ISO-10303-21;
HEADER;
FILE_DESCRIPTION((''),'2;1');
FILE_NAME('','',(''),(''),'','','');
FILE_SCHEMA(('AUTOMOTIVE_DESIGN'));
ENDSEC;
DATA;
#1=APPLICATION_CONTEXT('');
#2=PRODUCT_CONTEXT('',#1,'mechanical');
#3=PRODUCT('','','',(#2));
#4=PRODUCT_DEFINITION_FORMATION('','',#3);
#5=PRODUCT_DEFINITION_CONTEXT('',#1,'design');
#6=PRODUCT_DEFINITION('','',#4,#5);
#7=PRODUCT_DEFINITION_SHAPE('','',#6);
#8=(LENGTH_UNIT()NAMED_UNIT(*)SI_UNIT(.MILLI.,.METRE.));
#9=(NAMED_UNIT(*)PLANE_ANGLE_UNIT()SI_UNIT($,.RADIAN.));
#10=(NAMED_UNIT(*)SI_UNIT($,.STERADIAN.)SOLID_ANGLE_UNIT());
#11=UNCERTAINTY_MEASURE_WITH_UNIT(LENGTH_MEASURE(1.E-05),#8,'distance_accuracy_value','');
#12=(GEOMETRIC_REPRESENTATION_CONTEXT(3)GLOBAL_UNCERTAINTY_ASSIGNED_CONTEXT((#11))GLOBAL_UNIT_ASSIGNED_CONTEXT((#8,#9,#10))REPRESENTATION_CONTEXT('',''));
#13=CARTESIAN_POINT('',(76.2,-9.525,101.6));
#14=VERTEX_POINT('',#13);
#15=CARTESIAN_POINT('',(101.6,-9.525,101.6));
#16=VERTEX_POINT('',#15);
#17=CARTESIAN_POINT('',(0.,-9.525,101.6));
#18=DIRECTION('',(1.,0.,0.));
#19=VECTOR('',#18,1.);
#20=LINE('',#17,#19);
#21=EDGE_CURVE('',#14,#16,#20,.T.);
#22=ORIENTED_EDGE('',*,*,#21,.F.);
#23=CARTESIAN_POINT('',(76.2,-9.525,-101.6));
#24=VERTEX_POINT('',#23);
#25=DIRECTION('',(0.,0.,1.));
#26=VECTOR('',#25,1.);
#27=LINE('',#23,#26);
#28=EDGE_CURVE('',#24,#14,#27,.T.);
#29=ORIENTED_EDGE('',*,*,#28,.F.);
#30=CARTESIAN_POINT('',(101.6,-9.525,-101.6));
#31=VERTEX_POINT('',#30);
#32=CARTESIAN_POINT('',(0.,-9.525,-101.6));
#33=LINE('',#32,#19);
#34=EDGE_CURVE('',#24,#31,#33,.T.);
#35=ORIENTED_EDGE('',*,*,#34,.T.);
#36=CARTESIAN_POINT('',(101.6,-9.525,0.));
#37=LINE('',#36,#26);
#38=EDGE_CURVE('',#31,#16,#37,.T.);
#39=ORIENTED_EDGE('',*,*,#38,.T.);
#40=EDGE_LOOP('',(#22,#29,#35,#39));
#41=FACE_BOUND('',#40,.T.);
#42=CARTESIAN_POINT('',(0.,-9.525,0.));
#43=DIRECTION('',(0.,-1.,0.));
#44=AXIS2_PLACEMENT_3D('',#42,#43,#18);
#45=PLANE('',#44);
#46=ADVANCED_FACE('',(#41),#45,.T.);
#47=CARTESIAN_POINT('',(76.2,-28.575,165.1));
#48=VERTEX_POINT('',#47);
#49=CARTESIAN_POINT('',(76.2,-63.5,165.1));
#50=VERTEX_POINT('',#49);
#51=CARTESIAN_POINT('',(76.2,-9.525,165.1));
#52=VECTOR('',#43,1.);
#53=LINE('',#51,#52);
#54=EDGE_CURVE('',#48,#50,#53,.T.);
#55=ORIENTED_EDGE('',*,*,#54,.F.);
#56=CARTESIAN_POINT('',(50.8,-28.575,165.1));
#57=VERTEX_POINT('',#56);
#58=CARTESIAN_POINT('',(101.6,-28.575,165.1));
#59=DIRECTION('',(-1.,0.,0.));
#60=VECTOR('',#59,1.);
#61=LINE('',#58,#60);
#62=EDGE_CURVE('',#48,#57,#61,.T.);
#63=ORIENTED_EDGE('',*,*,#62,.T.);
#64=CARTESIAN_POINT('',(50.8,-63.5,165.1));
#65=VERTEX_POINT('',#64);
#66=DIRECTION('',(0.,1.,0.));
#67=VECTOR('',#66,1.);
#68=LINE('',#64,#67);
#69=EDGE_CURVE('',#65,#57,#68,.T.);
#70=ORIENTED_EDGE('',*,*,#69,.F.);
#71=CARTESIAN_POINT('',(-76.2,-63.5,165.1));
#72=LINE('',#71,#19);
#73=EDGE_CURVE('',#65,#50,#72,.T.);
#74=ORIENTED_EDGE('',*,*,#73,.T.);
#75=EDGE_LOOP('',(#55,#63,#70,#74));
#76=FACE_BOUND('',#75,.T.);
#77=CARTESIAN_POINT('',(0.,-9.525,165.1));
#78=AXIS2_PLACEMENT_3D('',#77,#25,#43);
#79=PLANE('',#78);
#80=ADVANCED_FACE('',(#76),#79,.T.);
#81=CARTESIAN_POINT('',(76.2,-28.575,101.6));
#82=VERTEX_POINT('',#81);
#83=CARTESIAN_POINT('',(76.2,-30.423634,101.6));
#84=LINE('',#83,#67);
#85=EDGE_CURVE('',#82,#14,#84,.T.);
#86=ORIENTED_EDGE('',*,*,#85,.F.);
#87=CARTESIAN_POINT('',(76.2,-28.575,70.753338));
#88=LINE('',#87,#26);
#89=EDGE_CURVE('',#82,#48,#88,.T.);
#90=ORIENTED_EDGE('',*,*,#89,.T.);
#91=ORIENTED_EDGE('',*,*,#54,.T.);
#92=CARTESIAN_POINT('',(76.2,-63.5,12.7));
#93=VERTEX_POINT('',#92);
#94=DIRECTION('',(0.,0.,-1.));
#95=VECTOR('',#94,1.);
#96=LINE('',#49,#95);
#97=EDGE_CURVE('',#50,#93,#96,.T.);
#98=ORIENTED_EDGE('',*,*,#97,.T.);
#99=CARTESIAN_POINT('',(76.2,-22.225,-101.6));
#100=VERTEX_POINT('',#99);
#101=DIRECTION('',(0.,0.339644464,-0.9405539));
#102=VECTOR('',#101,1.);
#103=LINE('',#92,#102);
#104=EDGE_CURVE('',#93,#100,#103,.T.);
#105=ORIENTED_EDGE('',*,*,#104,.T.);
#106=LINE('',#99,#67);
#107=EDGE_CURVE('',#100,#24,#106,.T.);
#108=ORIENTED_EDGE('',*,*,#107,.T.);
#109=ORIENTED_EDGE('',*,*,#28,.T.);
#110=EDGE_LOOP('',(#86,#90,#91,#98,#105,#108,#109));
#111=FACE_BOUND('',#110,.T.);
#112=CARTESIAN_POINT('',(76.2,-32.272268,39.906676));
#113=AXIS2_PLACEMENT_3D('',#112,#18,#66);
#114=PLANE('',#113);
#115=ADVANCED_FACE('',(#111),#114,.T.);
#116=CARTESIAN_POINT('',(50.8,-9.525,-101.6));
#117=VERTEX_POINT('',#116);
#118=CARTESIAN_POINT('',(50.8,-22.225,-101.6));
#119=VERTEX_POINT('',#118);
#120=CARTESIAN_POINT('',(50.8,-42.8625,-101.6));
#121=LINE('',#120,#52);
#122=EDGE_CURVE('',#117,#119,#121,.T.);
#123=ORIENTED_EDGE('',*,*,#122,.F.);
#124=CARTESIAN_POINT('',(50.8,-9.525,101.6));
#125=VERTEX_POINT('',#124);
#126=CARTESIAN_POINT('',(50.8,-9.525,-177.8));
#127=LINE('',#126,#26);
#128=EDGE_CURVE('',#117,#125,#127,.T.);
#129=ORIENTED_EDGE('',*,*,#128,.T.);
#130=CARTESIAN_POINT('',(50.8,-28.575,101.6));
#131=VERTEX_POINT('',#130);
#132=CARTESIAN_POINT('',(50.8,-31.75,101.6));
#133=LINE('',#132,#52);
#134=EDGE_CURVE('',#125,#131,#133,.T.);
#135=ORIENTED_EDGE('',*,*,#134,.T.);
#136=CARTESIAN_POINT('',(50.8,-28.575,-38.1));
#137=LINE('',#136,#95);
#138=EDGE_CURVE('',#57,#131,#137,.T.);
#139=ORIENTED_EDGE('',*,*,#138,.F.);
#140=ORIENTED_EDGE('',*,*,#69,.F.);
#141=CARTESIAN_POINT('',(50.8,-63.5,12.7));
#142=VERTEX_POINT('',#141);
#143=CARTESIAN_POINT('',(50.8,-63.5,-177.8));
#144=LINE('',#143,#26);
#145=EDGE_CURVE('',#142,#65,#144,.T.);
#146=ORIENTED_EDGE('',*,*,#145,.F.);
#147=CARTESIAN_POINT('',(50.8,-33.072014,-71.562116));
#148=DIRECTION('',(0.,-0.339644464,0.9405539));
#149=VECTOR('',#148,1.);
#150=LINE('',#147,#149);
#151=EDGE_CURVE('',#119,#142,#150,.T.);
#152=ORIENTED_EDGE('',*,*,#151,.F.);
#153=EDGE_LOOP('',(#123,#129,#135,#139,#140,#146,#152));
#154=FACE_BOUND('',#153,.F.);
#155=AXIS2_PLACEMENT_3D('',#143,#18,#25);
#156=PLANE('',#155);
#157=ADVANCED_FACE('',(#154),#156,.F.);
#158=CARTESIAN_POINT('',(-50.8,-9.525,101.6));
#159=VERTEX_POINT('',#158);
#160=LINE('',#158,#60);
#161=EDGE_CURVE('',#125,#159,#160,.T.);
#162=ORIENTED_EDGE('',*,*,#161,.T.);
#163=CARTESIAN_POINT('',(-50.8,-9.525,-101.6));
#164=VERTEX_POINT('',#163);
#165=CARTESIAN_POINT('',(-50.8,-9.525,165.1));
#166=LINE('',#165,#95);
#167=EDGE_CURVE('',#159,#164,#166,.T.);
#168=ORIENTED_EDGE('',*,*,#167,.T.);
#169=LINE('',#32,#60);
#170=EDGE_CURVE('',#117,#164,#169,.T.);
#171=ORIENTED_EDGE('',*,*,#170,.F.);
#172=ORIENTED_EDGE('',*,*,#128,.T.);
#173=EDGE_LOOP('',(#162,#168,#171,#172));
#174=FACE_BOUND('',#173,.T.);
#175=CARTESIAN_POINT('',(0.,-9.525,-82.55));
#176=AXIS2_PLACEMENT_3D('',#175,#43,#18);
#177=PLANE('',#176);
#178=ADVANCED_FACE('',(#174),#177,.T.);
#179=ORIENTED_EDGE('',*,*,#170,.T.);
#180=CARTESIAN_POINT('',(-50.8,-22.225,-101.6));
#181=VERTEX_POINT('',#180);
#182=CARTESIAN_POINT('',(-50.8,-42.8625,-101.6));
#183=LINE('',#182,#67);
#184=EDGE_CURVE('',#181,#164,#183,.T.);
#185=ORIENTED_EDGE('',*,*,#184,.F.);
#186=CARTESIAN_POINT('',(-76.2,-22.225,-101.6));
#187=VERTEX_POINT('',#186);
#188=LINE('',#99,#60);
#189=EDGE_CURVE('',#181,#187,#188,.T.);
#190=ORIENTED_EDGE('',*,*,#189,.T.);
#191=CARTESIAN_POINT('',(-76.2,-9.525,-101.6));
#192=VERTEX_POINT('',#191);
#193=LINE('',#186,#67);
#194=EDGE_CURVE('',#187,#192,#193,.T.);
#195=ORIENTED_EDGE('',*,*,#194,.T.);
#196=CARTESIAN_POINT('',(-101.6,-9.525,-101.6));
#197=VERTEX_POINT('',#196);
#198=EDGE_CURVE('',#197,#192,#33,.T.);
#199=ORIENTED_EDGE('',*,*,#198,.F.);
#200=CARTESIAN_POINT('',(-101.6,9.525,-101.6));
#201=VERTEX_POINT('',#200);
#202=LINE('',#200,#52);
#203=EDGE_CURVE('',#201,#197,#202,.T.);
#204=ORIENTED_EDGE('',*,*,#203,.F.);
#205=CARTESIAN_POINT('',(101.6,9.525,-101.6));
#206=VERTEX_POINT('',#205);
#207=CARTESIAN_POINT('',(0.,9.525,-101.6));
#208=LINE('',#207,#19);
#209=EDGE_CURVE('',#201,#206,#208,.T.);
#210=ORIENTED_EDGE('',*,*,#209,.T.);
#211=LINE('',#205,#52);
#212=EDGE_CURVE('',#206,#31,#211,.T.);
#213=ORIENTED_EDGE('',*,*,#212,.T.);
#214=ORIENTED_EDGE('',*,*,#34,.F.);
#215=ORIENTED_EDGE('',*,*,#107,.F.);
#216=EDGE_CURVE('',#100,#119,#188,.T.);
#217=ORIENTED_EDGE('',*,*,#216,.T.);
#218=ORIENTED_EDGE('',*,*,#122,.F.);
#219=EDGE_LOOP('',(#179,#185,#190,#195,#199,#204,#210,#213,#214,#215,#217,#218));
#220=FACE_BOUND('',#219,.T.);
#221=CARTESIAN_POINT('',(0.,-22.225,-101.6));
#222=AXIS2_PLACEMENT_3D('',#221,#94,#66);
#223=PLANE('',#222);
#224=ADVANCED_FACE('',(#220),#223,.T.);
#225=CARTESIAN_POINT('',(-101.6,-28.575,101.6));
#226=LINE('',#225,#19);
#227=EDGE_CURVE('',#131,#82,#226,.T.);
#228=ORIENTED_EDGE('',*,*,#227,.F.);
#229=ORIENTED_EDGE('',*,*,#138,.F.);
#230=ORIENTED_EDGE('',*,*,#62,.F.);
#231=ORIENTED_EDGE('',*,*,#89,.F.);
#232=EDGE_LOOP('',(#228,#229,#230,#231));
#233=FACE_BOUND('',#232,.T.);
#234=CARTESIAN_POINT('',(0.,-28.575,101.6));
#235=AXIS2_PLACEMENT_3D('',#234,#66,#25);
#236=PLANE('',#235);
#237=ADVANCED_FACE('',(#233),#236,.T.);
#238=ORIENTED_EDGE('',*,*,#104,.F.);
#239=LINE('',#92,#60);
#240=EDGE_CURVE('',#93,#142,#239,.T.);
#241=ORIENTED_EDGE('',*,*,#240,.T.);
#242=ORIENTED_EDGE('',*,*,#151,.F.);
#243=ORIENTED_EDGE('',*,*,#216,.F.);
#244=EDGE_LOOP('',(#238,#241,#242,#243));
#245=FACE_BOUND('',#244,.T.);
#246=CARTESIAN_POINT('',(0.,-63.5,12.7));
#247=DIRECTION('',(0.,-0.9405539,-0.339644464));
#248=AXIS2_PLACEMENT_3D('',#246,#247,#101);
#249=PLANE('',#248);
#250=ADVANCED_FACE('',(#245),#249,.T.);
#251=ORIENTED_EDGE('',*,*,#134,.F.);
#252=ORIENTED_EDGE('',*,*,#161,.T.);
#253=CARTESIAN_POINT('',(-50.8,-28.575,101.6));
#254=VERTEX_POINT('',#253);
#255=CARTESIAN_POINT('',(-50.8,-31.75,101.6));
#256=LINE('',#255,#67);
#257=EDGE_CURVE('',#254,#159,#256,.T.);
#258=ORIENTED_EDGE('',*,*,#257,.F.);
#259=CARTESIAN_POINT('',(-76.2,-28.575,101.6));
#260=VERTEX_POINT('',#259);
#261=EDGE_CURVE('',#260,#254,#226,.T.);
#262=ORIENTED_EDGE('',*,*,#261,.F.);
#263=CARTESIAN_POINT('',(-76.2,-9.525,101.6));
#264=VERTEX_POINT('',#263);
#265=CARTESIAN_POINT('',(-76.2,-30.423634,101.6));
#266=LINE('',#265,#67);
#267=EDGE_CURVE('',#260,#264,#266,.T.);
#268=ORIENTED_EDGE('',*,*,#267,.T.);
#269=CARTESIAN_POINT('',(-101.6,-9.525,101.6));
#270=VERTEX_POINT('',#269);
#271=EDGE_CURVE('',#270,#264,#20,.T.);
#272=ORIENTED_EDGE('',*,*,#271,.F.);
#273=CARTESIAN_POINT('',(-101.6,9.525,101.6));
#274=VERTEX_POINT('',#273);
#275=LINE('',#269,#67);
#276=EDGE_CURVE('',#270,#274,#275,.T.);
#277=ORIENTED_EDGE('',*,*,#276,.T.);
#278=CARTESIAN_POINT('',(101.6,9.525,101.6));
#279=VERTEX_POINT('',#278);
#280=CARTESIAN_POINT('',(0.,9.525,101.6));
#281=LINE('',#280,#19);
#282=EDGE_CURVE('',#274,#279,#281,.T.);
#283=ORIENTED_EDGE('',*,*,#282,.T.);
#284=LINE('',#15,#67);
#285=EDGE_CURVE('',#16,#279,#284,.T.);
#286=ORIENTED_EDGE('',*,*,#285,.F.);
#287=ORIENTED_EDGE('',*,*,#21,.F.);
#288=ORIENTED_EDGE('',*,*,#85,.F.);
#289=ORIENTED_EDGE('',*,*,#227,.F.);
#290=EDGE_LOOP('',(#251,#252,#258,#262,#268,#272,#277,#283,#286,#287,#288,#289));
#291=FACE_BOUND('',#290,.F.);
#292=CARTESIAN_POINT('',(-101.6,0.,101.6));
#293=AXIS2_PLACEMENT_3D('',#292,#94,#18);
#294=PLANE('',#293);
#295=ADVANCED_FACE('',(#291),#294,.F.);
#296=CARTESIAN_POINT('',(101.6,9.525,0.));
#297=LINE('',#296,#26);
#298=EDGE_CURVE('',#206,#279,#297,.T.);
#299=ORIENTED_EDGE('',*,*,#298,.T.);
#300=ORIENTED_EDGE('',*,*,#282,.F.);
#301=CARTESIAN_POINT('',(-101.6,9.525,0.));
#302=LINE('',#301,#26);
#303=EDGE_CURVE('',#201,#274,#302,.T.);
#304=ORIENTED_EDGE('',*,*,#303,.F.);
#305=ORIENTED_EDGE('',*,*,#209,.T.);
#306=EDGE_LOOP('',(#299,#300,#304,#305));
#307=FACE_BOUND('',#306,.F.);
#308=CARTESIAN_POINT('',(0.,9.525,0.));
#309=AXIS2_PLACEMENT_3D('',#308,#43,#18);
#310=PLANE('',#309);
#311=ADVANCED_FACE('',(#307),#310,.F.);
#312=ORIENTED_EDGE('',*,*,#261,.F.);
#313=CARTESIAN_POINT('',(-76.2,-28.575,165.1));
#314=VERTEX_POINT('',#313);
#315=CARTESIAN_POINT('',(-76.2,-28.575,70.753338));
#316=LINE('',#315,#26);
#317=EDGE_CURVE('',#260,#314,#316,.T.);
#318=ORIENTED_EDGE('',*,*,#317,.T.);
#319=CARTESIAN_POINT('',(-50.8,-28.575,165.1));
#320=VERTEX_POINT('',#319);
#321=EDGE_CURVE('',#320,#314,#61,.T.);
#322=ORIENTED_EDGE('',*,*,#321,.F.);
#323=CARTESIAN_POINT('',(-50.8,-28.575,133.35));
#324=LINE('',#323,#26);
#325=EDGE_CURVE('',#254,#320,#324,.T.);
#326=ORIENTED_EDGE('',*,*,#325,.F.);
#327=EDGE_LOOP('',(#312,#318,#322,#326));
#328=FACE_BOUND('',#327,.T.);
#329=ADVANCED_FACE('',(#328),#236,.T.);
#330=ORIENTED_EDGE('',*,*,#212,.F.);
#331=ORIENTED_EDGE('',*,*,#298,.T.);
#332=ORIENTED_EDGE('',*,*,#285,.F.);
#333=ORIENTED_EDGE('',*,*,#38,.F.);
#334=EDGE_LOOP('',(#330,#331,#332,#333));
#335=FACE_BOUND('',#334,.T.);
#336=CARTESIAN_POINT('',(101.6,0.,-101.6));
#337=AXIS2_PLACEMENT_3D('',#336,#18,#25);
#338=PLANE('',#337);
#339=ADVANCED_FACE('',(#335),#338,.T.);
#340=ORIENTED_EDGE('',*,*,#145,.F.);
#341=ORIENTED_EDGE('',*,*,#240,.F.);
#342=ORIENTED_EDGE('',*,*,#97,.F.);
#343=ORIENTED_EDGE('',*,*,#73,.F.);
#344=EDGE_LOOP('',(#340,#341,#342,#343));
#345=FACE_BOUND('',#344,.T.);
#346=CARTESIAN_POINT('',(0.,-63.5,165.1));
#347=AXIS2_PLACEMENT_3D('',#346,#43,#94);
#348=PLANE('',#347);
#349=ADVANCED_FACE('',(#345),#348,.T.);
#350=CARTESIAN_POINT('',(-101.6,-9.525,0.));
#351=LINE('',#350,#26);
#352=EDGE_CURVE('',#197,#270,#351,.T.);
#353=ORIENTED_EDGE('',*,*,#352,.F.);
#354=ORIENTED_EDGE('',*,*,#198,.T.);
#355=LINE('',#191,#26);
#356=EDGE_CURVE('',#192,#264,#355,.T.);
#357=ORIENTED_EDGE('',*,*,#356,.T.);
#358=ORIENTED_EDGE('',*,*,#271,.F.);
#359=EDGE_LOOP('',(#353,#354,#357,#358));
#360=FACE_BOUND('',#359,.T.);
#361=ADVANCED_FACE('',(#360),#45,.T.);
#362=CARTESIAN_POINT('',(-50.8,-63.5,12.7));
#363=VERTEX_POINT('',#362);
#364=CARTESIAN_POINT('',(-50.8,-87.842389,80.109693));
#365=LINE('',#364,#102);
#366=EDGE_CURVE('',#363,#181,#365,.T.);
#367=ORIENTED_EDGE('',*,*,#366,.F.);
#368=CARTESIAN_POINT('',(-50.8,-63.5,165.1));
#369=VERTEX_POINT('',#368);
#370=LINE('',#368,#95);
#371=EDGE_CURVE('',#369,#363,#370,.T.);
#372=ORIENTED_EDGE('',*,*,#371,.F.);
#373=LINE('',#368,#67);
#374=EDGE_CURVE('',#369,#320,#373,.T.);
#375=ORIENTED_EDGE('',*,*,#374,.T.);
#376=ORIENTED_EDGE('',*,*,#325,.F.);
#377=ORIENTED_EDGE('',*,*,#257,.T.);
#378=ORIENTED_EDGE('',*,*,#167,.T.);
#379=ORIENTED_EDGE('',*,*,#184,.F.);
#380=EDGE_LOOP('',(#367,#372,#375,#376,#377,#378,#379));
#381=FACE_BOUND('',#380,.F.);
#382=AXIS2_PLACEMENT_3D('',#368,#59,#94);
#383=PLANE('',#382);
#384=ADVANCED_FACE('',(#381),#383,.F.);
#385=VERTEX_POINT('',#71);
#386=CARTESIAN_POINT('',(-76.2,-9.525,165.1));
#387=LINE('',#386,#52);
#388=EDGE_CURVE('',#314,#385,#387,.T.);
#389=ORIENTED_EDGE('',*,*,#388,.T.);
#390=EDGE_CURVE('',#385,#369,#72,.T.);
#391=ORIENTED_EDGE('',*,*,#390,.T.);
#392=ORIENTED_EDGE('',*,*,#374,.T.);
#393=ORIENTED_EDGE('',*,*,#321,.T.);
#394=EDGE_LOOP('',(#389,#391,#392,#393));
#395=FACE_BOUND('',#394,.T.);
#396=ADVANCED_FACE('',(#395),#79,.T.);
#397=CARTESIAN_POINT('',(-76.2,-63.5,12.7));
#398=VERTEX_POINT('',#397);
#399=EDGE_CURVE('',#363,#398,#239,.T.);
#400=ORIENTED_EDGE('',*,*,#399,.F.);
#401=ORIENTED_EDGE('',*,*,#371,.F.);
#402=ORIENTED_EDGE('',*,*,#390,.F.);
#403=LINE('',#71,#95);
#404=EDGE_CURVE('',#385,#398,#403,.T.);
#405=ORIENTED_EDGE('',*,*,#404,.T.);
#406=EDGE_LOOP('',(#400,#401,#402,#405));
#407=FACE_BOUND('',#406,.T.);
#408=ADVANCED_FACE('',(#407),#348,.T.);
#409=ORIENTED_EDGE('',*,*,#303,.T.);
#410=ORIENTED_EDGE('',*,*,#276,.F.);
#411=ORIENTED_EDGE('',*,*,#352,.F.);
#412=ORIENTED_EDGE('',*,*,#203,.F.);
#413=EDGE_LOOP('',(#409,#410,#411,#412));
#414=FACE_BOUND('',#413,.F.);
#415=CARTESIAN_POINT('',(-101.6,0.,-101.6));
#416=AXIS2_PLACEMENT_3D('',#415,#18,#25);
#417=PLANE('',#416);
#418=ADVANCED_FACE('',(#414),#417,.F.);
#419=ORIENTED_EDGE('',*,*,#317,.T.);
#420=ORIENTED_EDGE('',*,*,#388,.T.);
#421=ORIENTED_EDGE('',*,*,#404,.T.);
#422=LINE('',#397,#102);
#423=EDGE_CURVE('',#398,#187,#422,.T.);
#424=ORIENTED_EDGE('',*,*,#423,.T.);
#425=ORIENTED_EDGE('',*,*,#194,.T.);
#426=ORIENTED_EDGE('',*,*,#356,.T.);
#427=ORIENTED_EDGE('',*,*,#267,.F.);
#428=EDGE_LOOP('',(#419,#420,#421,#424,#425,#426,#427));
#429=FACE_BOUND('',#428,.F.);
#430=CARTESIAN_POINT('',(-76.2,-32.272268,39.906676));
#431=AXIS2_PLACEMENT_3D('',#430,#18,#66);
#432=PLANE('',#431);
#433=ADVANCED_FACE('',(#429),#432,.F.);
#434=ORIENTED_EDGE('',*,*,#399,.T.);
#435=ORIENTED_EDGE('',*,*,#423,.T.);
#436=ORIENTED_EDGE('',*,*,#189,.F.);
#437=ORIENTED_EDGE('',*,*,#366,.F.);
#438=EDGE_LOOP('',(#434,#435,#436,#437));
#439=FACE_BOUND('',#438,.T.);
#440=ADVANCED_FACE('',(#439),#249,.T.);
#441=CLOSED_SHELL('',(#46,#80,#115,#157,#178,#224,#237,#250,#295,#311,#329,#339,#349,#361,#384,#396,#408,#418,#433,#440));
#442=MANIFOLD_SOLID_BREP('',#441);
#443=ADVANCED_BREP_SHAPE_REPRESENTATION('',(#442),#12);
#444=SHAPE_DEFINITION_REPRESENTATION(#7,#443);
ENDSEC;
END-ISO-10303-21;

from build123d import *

# Parameters (mm, degrees)
F0_W     = 203.2
F0_H     = 203.2
F1_DEPTH = 9.525
F3_DEPTH = 76.2
F4_W     = 38.1
F4_H     = 63.5
F5_DEPTH = 101.6
F6_W     = 101.6
F6_H     = 190.5
F6_H_2   = 152.4
F7_DEPTH = 53.975


with BuildPart() as f1:
    # F0 (on Front) → F1 (new body, symmetric)
    with BuildSketch(Plane.XZ):
        Rectangle(F0_W, F0_H)
    extrude(amount=F1_DEPTH, both=True)

    # F2 (on Right) → F3 (join, symmetric)
    with BuildSketch(Plane.YZ):
        Polygon((-9.525, -101.6), (-9.525, 165.1), (-63.5, 165.1), (-63.5, 12.7), (-22.225, -101.6), align=None)
    extrude(amount=F3_DEPTH, both=True)

    # F4 (on Right) → F5 (cut, symmetric)
    with BuildSketch(Plane.YZ):
        with Locations((-9.525, 133.35)):
            Rectangle(F4_W, F4_H)
    extrude(amount=F5_DEPTH, both=True, mode=Mode.SUBTRACT)

    # F6 (on face) → F7 (cut, through all)
    with BuildSketch(Plane.XZ.offset(63.5)):
        with Locations((0, -82.55)):
            Rectangle(F6_W, F6_H)
        with Locations((0, 88.9)):
            Rectangle(F6_W, F6_H_2)
    extrude(amount=-F7_DEPTH, mode=Mode.SUBTRACT)


solid = f1.part
